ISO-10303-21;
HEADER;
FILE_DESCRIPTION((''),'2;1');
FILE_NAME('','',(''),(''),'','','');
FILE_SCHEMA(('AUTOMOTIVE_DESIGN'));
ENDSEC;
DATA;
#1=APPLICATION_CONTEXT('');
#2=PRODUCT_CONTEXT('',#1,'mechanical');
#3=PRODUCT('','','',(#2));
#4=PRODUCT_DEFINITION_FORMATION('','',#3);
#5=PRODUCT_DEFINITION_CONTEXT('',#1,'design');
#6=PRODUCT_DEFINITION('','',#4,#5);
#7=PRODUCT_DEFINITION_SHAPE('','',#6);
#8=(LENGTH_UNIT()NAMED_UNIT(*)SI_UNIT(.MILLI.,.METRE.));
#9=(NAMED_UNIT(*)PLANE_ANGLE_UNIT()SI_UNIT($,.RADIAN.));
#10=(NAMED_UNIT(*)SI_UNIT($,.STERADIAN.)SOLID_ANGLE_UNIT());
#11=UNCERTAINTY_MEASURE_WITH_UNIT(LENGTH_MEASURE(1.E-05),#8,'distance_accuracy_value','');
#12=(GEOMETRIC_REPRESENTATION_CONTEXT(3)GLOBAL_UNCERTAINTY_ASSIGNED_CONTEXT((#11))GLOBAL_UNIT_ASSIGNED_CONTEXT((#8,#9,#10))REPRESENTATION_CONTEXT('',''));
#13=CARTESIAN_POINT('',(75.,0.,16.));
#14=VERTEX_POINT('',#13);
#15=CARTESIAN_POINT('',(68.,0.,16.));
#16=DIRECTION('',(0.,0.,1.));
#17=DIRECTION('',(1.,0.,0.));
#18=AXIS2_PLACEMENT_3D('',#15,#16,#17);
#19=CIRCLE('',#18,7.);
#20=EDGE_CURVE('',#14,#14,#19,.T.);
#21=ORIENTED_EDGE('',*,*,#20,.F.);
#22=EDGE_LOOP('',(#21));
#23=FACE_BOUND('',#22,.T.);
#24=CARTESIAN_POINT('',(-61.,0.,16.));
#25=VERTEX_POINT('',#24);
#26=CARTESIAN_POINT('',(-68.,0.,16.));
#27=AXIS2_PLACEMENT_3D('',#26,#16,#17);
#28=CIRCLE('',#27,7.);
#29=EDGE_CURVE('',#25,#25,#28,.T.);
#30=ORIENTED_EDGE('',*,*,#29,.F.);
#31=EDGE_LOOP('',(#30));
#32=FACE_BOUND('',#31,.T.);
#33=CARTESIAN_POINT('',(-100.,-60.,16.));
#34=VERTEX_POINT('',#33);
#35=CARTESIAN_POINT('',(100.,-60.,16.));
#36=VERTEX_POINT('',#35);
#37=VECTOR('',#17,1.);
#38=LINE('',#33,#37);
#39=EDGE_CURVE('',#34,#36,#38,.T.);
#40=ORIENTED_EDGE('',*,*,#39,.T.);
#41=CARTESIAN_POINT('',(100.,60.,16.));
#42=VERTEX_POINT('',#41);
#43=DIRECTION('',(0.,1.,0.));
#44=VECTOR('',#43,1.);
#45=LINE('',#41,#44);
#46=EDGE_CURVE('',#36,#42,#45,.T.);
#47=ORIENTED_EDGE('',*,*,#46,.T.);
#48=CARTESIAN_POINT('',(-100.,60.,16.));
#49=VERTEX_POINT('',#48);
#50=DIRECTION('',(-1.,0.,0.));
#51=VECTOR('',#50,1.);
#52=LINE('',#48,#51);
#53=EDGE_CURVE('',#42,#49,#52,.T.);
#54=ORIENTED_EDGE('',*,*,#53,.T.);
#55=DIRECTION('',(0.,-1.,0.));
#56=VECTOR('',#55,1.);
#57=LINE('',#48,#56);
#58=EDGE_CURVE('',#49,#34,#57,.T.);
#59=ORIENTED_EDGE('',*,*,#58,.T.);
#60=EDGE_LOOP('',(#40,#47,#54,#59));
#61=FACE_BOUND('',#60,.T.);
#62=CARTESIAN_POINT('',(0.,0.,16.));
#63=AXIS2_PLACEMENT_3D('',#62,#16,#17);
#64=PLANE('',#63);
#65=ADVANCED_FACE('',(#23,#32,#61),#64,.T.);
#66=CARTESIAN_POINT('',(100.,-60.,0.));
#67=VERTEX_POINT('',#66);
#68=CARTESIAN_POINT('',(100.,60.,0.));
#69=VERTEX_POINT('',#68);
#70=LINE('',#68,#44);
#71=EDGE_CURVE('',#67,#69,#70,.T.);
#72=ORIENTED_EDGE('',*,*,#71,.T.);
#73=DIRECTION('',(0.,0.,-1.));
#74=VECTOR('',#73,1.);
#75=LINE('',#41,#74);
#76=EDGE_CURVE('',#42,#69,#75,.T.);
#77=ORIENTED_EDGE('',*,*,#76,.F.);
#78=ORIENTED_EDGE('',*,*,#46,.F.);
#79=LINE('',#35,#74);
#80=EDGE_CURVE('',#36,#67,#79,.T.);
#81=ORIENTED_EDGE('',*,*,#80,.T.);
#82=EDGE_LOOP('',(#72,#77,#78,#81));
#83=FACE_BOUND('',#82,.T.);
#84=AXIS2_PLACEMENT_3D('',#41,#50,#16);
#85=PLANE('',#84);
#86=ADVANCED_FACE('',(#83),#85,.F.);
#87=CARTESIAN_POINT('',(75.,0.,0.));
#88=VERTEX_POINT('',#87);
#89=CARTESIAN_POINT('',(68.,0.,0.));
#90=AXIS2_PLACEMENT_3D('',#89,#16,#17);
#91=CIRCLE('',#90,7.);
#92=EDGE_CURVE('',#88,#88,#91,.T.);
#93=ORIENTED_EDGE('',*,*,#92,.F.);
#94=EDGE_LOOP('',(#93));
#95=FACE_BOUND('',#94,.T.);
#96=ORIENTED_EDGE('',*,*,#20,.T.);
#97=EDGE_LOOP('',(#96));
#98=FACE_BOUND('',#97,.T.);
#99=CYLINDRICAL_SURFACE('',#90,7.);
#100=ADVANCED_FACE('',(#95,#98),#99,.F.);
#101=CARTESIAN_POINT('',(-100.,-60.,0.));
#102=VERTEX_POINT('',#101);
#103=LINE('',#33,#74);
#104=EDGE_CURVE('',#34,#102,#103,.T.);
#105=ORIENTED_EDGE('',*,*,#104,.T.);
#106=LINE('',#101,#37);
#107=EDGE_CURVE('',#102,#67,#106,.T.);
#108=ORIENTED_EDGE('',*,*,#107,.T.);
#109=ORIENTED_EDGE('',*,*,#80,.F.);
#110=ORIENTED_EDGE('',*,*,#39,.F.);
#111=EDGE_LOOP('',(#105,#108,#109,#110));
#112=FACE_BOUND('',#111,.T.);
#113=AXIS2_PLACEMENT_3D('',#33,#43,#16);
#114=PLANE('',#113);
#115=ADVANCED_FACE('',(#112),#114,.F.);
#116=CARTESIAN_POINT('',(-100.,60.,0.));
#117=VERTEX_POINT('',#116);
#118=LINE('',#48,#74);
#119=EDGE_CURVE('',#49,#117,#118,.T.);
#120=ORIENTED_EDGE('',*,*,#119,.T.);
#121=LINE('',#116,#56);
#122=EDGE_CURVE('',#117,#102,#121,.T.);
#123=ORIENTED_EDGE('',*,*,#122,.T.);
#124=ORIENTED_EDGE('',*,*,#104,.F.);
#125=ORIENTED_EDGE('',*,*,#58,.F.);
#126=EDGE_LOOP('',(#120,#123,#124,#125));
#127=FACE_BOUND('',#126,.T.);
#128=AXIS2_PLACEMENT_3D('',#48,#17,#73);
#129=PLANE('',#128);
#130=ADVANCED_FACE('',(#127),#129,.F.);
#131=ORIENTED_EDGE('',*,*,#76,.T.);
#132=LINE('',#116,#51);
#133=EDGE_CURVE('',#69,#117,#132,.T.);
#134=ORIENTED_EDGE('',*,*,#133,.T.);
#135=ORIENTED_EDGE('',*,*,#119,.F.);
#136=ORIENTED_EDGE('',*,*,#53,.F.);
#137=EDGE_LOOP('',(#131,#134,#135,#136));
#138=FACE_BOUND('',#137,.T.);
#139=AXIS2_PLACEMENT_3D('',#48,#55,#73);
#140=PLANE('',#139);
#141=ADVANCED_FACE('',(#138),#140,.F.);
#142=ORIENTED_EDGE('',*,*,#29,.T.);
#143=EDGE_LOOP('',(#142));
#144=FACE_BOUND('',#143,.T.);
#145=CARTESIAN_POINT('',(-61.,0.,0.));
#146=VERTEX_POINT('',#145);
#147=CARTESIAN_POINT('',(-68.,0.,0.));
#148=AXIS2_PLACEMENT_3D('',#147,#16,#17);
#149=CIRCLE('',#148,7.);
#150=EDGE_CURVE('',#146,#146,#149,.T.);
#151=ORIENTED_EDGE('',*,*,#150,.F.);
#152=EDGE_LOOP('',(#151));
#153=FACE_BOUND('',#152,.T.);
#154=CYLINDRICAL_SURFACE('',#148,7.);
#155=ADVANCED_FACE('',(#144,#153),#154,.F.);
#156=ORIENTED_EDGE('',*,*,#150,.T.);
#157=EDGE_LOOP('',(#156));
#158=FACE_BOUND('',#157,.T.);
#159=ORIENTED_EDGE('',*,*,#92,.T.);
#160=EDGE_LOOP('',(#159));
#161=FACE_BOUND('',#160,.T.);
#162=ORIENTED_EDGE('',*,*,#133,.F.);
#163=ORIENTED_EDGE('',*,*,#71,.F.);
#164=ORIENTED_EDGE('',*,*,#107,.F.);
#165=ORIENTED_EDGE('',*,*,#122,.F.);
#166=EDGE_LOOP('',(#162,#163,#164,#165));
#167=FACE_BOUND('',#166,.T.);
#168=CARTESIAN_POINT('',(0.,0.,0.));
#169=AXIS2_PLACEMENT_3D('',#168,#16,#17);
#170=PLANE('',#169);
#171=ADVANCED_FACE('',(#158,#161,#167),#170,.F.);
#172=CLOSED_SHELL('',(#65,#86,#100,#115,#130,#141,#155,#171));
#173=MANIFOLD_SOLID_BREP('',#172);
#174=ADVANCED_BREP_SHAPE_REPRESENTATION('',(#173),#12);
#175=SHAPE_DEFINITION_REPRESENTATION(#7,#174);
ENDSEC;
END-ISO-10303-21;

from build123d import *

# Parameters (mm, degrees)
SKETCH_1_W          = 200
SKETCH_1_H          = 120
EXTRUDE_1_DEPTH     = 16
SKETCH_2_R          = 7
CUT_EXTRUDE_1_DEPTH = 118.711511756


with BuildPart() as part:
    # 草图1 → 凸台-拉伸1 (new body)
    with BuildSketch(Plane.XY):
        Rectangle(SKETCH_1_W, SKETCH_1_H)
    extrude(amount=EXTRUDE_1_DEPTH)

    # 草图2 → 切除-拉伸1 (cut, through all)
    with BuildSketch(Plane.XY.offset(16)):
        with Locations((-68, 0)):
            Circle(SKETCH_2_R)
        with Locations((68, 0)):
            Circle(SKETCH_2_R)
    extrude(amount=-CUT_EXTRUDE_1_DEPTH, mode=Mode.SUBTRACT)


solid = part.part
